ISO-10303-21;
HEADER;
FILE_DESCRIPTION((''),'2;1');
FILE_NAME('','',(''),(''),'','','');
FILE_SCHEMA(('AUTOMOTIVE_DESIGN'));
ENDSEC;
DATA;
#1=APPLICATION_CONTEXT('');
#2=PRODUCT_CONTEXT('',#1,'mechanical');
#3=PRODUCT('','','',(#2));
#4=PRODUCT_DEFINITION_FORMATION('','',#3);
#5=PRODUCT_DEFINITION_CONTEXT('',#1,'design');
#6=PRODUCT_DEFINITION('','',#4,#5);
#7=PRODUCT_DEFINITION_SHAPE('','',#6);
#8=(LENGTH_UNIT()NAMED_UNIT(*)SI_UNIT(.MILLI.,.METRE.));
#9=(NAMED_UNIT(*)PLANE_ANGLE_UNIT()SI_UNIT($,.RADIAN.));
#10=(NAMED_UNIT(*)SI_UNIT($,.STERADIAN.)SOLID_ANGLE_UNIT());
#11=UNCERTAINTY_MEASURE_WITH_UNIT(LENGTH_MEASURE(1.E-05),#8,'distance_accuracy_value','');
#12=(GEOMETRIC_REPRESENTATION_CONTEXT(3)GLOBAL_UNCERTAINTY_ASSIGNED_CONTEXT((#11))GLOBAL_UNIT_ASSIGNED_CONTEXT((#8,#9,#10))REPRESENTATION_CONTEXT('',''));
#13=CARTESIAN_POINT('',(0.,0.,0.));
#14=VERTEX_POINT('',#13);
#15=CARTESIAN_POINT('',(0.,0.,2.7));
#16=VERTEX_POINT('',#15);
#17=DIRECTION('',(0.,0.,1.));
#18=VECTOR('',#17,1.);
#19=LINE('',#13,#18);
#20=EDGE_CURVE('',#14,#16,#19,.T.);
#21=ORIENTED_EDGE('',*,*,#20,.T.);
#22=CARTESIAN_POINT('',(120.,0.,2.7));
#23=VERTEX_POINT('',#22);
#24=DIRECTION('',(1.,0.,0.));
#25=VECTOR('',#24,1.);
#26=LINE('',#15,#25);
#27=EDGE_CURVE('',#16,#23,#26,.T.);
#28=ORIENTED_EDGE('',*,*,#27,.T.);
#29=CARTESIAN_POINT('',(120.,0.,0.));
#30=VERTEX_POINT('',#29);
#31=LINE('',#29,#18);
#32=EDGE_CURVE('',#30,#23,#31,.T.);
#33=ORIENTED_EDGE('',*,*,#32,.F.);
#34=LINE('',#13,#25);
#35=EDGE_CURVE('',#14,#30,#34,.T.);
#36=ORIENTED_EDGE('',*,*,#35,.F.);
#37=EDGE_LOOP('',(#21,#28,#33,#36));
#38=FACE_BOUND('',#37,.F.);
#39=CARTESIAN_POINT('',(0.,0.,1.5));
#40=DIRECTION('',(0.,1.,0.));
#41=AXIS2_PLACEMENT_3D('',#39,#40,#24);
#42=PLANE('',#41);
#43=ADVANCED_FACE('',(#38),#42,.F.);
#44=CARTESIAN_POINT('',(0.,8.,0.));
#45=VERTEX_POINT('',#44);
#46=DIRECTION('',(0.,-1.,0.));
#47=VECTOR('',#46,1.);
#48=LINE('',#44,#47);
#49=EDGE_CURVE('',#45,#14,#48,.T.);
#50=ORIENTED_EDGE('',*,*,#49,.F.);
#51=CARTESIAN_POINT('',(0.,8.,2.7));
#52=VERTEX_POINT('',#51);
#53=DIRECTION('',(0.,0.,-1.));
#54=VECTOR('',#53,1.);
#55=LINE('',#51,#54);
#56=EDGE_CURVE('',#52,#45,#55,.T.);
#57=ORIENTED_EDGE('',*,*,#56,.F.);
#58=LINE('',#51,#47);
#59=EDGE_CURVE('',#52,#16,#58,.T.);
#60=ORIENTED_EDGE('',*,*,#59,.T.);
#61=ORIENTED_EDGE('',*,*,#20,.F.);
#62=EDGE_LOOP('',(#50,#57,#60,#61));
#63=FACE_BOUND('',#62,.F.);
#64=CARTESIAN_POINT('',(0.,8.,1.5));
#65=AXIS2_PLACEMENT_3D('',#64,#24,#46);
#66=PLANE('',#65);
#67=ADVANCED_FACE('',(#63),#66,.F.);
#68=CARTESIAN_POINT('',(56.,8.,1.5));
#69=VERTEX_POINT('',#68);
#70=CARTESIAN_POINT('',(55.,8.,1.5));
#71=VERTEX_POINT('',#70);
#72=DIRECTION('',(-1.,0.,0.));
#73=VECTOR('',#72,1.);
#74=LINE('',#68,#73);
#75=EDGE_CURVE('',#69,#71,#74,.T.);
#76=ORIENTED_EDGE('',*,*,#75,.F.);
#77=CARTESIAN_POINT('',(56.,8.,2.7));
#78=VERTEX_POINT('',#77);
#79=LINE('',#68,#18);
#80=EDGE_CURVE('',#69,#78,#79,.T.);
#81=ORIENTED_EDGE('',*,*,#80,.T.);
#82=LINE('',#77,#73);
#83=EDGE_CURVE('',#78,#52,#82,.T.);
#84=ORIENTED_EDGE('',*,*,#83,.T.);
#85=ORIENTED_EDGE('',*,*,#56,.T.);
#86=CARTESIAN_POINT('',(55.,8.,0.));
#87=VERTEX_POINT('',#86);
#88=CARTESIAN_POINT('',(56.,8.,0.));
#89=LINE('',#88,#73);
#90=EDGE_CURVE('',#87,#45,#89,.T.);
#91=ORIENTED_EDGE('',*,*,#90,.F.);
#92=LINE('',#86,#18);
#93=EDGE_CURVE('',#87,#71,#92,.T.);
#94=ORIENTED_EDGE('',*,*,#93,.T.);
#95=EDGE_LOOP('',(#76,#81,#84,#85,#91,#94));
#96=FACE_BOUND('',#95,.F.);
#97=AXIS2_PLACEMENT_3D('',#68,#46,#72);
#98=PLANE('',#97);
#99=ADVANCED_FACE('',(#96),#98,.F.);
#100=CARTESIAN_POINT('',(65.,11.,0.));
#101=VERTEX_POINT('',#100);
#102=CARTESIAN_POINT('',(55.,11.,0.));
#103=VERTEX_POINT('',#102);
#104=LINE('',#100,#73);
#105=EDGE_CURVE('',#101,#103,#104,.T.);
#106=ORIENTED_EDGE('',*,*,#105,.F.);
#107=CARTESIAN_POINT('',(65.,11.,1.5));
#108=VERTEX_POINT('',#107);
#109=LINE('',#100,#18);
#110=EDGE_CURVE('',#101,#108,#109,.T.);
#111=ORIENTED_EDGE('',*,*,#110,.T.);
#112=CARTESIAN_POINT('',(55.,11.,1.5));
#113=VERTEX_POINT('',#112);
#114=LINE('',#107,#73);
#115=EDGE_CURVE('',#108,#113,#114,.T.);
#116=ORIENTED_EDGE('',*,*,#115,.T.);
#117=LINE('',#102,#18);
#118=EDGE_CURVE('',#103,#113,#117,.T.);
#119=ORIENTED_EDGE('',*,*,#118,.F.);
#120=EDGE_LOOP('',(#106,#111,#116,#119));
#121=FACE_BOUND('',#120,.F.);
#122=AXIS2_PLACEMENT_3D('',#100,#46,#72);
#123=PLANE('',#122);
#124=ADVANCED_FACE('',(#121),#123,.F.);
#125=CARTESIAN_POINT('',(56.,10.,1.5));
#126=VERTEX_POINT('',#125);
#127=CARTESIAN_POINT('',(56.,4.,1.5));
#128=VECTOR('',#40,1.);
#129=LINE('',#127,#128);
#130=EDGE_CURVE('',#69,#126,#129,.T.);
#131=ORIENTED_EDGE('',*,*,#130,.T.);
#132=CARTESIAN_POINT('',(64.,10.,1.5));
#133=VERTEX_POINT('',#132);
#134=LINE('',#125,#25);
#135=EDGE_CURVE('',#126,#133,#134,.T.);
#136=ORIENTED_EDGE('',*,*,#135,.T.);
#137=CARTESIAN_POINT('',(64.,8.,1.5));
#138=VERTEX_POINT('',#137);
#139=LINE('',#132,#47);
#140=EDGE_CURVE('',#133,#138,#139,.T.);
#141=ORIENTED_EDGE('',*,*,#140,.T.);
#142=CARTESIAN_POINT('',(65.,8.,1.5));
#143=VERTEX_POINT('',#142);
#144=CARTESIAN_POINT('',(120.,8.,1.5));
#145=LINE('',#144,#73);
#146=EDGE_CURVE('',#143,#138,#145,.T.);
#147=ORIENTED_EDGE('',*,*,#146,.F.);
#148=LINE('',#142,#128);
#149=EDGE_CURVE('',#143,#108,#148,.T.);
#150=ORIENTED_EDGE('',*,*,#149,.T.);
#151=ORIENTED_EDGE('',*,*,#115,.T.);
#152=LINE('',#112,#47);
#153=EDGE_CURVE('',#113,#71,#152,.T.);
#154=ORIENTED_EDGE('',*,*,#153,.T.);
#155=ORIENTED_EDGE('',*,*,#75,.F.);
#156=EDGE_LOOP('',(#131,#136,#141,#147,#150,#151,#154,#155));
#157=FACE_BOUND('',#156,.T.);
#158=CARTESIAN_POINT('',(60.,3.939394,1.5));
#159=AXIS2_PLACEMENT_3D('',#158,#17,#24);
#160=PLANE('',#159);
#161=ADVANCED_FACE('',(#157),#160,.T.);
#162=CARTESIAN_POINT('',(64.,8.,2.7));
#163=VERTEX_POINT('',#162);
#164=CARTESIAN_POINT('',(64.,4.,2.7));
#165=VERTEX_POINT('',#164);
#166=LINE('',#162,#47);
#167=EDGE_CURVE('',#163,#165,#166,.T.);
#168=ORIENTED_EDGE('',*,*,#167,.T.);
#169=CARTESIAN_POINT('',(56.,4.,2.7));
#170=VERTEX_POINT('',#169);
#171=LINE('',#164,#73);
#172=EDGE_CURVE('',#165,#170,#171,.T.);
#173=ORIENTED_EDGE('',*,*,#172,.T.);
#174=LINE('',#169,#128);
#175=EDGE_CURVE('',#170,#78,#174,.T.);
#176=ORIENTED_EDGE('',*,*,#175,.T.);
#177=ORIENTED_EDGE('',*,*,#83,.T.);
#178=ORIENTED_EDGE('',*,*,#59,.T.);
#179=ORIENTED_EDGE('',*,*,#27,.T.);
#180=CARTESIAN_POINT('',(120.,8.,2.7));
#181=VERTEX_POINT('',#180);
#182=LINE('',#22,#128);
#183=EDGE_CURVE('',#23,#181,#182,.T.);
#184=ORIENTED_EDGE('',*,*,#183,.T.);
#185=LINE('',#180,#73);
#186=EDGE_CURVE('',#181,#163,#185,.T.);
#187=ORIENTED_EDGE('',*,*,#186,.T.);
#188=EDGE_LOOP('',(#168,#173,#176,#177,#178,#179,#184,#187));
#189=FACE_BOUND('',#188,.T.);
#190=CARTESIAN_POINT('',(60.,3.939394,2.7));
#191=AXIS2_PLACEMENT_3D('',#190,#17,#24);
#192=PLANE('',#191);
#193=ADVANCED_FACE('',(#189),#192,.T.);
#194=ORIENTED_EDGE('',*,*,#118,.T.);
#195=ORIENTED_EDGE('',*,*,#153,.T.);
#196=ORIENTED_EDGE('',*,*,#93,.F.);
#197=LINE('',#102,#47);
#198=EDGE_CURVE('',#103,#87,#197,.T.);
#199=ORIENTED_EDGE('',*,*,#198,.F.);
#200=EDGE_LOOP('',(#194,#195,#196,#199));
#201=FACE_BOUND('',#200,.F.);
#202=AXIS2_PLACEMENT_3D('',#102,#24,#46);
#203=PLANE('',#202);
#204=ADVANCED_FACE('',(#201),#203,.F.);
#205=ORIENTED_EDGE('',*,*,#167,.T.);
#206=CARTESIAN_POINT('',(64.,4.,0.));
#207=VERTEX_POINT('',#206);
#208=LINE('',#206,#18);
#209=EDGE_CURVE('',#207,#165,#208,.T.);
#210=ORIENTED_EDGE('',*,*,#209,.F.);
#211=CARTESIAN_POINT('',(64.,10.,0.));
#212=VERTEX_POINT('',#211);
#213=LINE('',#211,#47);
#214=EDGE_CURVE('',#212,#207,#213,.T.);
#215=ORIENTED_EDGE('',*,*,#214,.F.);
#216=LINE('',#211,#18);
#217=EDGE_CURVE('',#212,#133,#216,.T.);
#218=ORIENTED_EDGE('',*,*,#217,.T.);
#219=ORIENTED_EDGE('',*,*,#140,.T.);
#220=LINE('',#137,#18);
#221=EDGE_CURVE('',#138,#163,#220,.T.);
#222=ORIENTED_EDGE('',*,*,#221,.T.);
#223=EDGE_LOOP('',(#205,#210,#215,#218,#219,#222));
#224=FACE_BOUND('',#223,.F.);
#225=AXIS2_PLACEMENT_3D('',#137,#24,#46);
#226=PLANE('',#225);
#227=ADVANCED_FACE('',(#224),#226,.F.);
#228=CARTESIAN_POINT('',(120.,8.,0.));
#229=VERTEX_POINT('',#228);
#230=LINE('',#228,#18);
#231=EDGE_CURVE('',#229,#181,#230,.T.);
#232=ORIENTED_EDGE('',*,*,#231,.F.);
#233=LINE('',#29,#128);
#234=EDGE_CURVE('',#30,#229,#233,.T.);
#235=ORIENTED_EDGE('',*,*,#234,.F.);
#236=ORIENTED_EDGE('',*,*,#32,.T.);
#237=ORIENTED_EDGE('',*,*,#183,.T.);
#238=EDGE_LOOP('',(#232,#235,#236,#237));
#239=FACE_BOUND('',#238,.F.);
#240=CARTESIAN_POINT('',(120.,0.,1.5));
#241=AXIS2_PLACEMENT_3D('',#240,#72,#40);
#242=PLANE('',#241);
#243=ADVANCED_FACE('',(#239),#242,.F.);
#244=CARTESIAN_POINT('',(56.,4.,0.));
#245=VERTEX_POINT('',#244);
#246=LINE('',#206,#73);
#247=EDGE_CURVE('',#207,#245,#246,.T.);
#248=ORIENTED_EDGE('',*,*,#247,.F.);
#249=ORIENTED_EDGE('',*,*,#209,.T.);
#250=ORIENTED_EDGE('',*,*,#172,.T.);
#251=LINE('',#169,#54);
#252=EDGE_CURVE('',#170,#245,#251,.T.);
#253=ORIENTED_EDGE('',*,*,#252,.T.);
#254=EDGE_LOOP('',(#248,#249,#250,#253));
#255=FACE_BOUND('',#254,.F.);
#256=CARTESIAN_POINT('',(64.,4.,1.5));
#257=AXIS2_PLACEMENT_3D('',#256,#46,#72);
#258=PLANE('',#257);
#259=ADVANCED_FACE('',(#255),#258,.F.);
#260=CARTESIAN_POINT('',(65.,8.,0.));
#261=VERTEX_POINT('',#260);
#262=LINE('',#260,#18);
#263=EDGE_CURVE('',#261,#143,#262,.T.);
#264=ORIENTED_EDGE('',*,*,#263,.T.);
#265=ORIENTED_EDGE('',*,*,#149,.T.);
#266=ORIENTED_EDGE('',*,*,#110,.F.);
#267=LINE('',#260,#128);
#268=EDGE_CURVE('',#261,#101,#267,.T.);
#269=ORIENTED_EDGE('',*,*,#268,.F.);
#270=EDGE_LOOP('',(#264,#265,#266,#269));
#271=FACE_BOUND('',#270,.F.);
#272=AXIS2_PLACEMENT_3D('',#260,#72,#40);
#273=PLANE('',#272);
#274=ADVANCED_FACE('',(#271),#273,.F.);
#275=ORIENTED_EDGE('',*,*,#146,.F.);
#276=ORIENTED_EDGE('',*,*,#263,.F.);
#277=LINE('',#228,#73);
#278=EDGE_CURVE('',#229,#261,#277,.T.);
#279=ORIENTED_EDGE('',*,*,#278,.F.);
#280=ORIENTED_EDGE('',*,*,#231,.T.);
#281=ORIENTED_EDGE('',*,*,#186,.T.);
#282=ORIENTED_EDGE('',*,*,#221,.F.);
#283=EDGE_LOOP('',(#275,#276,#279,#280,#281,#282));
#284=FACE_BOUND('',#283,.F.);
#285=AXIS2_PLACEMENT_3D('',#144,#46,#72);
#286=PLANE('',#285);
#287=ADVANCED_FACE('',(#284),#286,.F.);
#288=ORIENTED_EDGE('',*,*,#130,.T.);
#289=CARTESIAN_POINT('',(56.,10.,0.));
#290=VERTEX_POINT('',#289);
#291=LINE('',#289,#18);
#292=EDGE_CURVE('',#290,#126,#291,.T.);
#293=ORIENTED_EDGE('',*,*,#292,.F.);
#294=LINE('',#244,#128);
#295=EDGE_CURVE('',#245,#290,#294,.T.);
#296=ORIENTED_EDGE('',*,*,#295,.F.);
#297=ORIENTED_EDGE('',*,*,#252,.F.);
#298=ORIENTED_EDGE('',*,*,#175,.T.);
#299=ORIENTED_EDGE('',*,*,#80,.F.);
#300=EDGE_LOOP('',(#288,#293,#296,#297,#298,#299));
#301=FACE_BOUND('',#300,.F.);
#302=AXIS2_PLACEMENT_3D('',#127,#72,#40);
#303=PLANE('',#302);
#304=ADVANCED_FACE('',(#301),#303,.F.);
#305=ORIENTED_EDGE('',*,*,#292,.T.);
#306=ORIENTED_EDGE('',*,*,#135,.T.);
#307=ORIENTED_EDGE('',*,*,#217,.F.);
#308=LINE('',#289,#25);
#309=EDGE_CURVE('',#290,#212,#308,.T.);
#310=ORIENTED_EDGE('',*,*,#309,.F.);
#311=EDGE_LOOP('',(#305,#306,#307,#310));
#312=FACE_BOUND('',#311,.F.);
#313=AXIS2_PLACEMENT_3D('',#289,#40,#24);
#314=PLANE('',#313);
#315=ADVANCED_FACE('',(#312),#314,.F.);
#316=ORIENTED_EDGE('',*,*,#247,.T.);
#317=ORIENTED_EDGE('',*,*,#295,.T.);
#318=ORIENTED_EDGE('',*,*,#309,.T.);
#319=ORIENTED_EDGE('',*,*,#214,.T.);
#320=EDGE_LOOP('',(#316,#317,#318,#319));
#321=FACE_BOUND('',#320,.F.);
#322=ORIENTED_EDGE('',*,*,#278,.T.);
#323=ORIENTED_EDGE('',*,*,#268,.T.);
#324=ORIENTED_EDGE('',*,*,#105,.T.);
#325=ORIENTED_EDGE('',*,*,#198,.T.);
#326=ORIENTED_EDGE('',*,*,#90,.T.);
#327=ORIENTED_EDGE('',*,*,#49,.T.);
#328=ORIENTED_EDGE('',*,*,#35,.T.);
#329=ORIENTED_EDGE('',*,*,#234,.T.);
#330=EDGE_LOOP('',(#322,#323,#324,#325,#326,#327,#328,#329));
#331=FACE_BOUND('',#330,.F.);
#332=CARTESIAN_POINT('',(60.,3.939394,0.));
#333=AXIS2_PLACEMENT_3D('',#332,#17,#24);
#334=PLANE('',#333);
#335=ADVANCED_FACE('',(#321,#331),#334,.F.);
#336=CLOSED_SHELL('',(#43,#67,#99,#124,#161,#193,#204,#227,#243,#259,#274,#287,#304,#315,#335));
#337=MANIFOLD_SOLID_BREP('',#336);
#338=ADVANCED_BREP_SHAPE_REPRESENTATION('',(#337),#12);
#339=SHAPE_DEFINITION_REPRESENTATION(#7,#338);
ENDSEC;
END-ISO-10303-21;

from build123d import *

# Parameters (mm, degrees)
F1_DEPTH = 1.5
F3_DEPTH = 1.2


with BuildPart() as f1:
    # F0 (on Top) → F1 (new body)
    with BuildSketch(Plane.XY):
        Polygon((0, 8), (0, 0), (120, 0), (120, 8), (65, 8), (64, 8), (64, 4), (56, 4), (56, 8), (55, 8), align=None)
        Polygon((55, 11), (55, 8), (56, 8), (56, 10), (64, 10), (64, 8), (65, 8), (65, 11), align=None)
    extrude(amount=F1_DEPTH)

    # F2 (on face) → F3 (join)
    with BuildSketch(Plane.XY.offset(1.5)):
        Polygon((0, 8), (0, 0), (120, 0), (120, 8), (65, 8), (64, 8), (64, 4), (56, 4), (56, 8), (55, 8), align=None)
    extrude(amount=F3_DEPTH)


solid = f1.part
